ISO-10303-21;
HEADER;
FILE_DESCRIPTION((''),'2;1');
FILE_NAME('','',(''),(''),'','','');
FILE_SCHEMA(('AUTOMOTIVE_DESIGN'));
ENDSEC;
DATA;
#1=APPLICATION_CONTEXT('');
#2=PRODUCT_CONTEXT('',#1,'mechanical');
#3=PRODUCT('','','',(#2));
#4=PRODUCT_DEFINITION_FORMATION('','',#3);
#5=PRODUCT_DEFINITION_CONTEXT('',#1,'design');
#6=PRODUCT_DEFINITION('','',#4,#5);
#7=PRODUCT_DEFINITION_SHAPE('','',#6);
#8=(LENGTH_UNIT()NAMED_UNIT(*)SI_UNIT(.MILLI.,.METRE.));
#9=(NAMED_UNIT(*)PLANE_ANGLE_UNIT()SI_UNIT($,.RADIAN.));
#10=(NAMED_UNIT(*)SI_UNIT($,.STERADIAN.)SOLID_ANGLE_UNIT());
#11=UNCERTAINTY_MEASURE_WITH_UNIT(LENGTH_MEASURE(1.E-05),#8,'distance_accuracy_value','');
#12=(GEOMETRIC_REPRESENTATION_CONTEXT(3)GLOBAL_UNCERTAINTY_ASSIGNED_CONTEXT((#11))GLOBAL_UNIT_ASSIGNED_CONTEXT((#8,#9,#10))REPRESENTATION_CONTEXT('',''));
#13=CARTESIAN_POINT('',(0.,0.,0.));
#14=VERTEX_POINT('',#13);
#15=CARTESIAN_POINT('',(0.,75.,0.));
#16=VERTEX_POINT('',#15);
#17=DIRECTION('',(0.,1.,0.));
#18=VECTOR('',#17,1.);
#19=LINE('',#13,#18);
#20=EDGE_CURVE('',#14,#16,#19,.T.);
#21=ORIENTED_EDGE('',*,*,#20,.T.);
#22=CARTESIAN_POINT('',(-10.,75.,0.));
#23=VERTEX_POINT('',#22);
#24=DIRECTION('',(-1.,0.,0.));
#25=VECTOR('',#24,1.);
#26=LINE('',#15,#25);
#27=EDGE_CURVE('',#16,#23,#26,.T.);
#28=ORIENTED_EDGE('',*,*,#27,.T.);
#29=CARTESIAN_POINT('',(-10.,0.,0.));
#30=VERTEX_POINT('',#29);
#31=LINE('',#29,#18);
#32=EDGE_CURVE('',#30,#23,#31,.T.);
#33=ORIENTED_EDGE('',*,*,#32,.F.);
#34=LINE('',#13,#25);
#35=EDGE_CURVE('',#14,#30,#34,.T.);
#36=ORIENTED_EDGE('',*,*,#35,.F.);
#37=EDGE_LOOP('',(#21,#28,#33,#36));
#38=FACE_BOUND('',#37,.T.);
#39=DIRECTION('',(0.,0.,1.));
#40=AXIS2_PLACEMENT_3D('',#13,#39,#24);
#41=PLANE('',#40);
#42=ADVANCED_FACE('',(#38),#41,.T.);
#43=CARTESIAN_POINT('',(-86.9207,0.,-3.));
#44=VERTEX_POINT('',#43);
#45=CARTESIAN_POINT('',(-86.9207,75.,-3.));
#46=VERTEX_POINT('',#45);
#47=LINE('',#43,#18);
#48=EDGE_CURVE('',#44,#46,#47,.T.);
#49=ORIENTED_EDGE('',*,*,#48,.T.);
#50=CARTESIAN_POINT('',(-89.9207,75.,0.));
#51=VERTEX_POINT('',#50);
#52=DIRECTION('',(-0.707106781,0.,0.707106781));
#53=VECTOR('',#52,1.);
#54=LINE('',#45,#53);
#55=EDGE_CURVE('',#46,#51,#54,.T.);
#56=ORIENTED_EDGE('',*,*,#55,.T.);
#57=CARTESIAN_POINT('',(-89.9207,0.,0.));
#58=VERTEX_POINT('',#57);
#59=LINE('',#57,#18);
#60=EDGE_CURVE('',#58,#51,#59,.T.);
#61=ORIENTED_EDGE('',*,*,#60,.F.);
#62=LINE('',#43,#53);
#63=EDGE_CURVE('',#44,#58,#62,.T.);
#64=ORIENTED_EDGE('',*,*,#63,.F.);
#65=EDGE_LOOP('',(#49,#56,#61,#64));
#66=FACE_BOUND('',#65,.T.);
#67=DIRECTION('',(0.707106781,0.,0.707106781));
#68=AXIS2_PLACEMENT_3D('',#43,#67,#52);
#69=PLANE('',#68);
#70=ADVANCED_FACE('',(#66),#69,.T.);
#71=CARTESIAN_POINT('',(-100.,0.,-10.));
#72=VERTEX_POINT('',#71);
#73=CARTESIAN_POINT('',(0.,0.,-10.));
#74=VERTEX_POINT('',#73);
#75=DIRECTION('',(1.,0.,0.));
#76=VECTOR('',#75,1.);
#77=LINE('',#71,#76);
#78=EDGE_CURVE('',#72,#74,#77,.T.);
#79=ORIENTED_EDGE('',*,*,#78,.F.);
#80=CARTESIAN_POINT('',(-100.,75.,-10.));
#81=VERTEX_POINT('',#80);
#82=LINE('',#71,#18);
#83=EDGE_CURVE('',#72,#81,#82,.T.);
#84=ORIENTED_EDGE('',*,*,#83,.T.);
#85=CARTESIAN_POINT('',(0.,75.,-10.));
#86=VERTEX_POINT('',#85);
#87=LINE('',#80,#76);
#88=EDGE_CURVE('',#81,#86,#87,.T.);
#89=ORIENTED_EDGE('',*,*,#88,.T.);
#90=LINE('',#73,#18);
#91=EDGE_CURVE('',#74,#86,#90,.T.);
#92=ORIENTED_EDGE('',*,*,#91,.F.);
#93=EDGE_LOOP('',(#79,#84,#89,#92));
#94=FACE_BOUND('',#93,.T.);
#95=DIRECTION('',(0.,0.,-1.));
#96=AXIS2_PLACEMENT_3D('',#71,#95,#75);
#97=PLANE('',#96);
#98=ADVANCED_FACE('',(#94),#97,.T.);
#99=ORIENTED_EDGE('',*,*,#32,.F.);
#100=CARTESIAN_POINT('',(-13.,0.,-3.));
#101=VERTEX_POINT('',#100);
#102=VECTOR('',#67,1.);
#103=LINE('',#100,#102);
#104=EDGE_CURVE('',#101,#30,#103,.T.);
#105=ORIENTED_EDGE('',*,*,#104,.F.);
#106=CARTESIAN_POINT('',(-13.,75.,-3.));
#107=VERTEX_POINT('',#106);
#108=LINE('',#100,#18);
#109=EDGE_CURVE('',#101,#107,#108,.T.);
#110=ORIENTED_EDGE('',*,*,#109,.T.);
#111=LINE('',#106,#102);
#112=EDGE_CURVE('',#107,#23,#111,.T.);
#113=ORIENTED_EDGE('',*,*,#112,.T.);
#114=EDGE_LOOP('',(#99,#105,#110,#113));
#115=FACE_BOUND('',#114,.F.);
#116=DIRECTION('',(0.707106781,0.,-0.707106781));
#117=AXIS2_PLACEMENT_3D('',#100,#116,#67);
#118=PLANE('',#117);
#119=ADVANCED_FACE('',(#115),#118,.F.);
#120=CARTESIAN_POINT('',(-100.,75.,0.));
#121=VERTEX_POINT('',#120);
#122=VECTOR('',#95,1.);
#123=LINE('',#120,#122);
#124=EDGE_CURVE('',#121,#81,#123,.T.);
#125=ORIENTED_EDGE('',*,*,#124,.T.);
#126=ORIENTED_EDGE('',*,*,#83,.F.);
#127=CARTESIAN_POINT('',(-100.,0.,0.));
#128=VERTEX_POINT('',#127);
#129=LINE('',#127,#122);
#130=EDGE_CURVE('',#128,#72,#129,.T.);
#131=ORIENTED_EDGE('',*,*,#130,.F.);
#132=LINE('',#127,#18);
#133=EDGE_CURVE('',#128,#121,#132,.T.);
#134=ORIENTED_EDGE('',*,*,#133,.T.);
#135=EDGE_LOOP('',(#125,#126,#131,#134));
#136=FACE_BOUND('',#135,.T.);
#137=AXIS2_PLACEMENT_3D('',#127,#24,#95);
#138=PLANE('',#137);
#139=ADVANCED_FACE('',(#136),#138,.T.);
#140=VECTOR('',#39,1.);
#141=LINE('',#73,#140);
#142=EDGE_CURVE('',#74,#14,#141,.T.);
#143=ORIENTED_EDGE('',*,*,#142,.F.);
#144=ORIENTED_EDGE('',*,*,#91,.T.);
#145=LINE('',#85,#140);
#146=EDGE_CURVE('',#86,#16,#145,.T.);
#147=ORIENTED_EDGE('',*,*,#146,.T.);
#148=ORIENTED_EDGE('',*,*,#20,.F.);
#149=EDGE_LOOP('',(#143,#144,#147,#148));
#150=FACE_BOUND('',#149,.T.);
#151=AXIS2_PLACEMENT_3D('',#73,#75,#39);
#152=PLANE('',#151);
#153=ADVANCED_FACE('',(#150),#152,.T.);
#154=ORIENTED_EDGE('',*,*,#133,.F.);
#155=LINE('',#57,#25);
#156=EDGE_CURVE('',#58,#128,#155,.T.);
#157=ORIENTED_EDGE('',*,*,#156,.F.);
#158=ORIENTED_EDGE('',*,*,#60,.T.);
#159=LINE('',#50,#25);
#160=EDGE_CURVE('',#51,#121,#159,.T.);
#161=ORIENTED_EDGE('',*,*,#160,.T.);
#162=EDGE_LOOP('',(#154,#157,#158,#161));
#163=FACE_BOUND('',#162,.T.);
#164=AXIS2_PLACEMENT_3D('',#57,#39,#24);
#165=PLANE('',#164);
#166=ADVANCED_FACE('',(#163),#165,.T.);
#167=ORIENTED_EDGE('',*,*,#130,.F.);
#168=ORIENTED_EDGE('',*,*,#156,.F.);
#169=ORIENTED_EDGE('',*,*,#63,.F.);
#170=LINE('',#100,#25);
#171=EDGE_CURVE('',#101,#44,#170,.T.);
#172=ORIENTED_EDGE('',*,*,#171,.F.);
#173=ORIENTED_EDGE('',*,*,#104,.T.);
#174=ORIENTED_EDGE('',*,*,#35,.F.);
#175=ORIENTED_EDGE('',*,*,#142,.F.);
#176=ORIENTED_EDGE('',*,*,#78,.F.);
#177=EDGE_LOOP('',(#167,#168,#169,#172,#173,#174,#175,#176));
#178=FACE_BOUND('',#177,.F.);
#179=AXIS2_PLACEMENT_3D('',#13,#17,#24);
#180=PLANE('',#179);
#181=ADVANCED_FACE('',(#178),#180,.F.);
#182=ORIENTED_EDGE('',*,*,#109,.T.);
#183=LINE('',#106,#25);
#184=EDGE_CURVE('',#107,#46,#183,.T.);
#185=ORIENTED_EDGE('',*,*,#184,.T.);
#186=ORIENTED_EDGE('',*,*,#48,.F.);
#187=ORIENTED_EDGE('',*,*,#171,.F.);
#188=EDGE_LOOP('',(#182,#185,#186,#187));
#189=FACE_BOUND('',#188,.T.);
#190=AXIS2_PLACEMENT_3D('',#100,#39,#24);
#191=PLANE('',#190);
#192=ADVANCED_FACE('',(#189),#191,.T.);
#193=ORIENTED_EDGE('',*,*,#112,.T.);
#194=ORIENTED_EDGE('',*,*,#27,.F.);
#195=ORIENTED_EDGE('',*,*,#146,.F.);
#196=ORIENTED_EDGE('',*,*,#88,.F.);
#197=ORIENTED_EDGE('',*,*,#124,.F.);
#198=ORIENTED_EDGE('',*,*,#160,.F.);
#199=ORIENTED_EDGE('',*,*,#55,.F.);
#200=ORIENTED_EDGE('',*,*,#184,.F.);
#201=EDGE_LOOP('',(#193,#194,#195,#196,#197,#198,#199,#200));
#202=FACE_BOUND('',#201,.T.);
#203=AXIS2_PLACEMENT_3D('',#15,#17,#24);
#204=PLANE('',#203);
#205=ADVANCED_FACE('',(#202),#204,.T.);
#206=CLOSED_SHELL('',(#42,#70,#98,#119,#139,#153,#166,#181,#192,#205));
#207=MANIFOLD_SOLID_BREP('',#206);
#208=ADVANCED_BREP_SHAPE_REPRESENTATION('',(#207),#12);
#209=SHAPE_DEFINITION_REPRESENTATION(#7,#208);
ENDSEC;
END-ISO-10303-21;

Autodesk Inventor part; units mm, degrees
ref_plane "YZ Plane" through (0, 0, 0) normal (1, 0, 0) x (0, 1, 0)
ref_plane "XZ Plane" through (0, 0, 0) normal (0, 1, 0) x (-1, 0, 0)
ref_plane "XY Plane" through (0, 0, 0) normal (0, 0, 1) x (1, 0, 0)
sketch "Sketch1" plane through (0, 0, 0) normal (0, 1, 0) x (-1, 0, 0)
  line L0 (100, 0) -> (100, -10)
  line L1 (100, -10) -> (0, -10)
  line L2 (0, -10) -> (0, 0)
  line L3 (0, 0) -> (10, 0)
  line L4 (13, -3) -> (10, 0)
  line L5 (86.9207, -3) -> (89.9207, 0)
  line L6 (13, -3) -> (86.9207, -3)
  line L7 (0, 0) -> (10, 0)
  line L8 (89.9207, 0) -> (100, 0)
  point P0 (13, 0)
  point P1 (13, 0)
  point P2 (89.9207, 0)
  point P3 (89.9207, 0)
  point P4 (86.9207, 0)
extrude "Extrusion1" add sketch "Sketch1" along normal blind 75
sketch "Sketch2" plane through (0, 0, -10) normal (0, 0, -1) x (-1, 0, 0)
  line L0 (0, 0) -> (100, 0) projected
  line L1 (100, 0) -> (100, 75) projected
  line L2 (0, 75) -> (100, 75) projected
  line L3 (0, 0) -> (0, 75) projected
properties part number "base" material "Gravel"
